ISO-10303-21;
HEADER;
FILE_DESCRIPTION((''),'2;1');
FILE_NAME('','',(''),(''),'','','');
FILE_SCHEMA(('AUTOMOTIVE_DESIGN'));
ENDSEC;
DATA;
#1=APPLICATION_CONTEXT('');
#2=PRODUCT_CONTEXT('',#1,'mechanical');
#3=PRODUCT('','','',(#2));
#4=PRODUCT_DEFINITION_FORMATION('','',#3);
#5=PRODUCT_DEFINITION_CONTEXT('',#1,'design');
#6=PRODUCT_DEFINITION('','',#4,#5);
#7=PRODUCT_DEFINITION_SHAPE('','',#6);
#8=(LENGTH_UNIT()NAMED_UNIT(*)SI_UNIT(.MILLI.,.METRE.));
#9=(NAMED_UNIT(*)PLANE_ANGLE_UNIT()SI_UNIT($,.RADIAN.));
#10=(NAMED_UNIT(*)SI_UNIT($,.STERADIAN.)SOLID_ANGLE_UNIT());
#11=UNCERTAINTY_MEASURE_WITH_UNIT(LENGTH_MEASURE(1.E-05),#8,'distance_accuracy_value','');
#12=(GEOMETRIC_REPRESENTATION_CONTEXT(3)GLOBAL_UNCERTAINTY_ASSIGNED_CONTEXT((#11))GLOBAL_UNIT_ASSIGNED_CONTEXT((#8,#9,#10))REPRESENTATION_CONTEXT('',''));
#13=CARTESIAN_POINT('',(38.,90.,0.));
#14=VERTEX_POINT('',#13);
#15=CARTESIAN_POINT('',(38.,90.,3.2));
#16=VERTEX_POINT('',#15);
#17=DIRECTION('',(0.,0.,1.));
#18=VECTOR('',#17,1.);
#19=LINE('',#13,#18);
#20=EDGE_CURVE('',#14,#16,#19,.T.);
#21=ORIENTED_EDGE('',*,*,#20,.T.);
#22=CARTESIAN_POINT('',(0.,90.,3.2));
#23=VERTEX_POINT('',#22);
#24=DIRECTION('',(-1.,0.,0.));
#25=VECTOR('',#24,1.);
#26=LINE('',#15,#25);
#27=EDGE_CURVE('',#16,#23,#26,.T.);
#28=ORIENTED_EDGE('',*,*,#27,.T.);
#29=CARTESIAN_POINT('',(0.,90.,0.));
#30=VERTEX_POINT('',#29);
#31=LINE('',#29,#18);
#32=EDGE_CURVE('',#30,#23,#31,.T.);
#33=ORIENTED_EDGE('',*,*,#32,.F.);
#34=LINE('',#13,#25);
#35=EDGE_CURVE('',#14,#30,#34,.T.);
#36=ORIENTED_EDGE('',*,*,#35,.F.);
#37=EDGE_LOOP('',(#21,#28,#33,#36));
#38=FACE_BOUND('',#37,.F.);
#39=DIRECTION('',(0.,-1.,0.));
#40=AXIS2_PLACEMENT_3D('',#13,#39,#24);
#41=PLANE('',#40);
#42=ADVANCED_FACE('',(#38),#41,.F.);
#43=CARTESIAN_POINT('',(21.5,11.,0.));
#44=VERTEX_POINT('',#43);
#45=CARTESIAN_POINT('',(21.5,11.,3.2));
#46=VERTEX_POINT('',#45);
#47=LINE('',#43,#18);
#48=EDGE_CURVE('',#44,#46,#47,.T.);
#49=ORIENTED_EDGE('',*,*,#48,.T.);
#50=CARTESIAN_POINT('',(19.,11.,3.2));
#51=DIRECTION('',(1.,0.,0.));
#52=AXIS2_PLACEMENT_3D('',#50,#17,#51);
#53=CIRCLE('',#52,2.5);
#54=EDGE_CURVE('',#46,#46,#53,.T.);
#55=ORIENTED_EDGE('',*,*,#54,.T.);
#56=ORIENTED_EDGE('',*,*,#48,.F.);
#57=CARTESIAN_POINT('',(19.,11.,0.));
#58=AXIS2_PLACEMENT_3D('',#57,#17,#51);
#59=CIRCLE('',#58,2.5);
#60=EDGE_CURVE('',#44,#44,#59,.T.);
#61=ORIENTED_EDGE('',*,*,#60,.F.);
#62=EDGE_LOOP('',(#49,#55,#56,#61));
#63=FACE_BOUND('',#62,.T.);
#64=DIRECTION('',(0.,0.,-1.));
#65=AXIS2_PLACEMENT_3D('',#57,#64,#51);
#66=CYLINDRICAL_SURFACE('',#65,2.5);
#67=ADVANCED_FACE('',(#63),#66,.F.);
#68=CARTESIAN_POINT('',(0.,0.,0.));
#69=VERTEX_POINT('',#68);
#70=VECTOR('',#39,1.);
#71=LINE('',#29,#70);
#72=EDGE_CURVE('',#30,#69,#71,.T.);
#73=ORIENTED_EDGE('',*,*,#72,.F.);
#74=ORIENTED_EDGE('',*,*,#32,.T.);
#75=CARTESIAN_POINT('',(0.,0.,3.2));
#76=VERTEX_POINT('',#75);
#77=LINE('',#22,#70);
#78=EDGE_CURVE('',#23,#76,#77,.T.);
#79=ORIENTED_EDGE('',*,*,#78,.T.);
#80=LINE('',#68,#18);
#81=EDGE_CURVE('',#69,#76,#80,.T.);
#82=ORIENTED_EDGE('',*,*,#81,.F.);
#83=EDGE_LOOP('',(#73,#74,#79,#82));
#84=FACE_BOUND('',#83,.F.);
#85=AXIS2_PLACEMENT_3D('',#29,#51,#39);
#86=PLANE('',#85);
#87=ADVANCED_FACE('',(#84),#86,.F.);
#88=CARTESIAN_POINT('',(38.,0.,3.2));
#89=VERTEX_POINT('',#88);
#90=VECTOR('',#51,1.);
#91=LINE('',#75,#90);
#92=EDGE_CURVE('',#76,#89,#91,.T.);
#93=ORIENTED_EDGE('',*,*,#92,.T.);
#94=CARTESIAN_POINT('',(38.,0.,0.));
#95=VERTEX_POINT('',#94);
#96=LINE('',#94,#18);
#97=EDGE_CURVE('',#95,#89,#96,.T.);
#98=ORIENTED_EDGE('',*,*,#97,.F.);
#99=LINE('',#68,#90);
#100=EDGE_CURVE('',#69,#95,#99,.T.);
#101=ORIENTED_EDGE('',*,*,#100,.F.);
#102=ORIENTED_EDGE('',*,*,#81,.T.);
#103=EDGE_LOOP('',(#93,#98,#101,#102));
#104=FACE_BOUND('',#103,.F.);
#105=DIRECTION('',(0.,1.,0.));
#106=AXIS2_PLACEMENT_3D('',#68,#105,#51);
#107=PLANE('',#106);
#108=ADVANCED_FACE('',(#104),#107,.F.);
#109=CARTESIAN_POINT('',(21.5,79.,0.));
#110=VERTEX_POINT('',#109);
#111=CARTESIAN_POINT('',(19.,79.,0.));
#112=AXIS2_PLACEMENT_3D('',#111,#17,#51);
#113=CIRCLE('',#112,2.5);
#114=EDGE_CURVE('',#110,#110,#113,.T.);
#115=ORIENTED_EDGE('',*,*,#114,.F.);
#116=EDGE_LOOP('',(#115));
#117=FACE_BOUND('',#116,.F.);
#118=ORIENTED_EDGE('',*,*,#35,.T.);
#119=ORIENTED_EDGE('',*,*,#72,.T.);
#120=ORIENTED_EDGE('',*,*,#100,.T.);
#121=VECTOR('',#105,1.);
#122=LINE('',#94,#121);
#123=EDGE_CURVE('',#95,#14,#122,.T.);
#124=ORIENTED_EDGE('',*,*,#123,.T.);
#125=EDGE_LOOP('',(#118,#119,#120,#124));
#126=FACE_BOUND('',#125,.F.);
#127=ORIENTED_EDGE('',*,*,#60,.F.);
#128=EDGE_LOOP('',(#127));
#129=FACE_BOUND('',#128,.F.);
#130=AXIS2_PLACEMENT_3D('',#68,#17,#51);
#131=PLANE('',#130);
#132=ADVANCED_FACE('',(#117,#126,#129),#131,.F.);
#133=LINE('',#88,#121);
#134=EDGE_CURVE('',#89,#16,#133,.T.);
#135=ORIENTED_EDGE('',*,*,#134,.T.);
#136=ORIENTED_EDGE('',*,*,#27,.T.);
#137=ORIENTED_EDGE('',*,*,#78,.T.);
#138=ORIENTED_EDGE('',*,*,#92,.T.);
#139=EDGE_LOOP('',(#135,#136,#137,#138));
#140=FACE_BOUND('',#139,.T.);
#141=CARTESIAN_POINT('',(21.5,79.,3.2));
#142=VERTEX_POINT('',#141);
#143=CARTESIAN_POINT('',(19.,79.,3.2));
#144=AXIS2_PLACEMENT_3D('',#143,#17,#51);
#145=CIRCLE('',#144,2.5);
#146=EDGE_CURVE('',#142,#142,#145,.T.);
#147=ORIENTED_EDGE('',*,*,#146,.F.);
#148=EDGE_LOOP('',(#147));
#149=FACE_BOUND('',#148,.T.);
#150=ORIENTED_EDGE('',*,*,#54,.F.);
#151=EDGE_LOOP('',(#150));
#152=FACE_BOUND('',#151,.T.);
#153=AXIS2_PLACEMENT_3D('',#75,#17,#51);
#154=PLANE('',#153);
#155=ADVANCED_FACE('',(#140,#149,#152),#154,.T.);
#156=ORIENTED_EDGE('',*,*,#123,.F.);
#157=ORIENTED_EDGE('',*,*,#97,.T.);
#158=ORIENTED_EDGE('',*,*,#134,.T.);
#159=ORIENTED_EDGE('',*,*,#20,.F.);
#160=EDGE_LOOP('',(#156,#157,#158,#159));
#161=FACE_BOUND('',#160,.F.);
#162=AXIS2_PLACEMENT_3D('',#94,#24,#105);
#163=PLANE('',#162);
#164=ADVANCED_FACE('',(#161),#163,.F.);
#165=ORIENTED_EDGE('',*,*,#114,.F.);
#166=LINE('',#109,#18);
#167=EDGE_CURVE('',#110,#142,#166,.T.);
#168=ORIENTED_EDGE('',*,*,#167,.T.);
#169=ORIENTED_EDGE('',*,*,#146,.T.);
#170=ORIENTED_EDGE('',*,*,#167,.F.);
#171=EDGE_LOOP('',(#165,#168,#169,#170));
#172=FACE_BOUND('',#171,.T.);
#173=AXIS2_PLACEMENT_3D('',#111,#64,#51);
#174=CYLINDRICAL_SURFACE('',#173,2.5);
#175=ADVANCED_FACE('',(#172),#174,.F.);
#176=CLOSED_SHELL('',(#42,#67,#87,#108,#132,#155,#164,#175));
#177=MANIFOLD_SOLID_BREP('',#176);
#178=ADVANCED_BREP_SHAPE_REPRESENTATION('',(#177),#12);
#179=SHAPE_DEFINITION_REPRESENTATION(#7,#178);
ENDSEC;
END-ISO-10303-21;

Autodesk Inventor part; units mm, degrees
ref_plane "YZ Plane" through (0, 0, 0) normal (1, 0, 0) x (0, 1, 0)
ref_plane "XZ Plane" through (0, 0, 0) normal (0, 1, 0) x (-1, 0, 0)
ref_plane "XY Plane" through (0, 0, 0) normal (0, 0, 1) x (1, 0, 0)
sketch "Sketch1" plane through (0, 0, 0) normal (0, 0, 1) x (1, 0, 0)
  line L0 (0, 0) -> (38, 0)
  line L1 (38, 0) -> (38, 90)
  line L2 (38, 90) -> (0, 90)
  line L3 (0, 90) -> (0, 0)
  circle A0 centre (19, 79) radius 2.5
  circle A1 centre (19, 11) radius 2.5
  dimension "d0" = 90
  dimension "d1" = 38
  dimension "d2" = 11
  dimension "d3" = 11
  dimension "d4" = 5
  dimension "d5" = 5
  dimension "d6" = 19
  dimension "d9" = 68
extrude "Extrusion1" add sketch "Sketch1" along normal blind 3.2
properties part number "shin_tab"
